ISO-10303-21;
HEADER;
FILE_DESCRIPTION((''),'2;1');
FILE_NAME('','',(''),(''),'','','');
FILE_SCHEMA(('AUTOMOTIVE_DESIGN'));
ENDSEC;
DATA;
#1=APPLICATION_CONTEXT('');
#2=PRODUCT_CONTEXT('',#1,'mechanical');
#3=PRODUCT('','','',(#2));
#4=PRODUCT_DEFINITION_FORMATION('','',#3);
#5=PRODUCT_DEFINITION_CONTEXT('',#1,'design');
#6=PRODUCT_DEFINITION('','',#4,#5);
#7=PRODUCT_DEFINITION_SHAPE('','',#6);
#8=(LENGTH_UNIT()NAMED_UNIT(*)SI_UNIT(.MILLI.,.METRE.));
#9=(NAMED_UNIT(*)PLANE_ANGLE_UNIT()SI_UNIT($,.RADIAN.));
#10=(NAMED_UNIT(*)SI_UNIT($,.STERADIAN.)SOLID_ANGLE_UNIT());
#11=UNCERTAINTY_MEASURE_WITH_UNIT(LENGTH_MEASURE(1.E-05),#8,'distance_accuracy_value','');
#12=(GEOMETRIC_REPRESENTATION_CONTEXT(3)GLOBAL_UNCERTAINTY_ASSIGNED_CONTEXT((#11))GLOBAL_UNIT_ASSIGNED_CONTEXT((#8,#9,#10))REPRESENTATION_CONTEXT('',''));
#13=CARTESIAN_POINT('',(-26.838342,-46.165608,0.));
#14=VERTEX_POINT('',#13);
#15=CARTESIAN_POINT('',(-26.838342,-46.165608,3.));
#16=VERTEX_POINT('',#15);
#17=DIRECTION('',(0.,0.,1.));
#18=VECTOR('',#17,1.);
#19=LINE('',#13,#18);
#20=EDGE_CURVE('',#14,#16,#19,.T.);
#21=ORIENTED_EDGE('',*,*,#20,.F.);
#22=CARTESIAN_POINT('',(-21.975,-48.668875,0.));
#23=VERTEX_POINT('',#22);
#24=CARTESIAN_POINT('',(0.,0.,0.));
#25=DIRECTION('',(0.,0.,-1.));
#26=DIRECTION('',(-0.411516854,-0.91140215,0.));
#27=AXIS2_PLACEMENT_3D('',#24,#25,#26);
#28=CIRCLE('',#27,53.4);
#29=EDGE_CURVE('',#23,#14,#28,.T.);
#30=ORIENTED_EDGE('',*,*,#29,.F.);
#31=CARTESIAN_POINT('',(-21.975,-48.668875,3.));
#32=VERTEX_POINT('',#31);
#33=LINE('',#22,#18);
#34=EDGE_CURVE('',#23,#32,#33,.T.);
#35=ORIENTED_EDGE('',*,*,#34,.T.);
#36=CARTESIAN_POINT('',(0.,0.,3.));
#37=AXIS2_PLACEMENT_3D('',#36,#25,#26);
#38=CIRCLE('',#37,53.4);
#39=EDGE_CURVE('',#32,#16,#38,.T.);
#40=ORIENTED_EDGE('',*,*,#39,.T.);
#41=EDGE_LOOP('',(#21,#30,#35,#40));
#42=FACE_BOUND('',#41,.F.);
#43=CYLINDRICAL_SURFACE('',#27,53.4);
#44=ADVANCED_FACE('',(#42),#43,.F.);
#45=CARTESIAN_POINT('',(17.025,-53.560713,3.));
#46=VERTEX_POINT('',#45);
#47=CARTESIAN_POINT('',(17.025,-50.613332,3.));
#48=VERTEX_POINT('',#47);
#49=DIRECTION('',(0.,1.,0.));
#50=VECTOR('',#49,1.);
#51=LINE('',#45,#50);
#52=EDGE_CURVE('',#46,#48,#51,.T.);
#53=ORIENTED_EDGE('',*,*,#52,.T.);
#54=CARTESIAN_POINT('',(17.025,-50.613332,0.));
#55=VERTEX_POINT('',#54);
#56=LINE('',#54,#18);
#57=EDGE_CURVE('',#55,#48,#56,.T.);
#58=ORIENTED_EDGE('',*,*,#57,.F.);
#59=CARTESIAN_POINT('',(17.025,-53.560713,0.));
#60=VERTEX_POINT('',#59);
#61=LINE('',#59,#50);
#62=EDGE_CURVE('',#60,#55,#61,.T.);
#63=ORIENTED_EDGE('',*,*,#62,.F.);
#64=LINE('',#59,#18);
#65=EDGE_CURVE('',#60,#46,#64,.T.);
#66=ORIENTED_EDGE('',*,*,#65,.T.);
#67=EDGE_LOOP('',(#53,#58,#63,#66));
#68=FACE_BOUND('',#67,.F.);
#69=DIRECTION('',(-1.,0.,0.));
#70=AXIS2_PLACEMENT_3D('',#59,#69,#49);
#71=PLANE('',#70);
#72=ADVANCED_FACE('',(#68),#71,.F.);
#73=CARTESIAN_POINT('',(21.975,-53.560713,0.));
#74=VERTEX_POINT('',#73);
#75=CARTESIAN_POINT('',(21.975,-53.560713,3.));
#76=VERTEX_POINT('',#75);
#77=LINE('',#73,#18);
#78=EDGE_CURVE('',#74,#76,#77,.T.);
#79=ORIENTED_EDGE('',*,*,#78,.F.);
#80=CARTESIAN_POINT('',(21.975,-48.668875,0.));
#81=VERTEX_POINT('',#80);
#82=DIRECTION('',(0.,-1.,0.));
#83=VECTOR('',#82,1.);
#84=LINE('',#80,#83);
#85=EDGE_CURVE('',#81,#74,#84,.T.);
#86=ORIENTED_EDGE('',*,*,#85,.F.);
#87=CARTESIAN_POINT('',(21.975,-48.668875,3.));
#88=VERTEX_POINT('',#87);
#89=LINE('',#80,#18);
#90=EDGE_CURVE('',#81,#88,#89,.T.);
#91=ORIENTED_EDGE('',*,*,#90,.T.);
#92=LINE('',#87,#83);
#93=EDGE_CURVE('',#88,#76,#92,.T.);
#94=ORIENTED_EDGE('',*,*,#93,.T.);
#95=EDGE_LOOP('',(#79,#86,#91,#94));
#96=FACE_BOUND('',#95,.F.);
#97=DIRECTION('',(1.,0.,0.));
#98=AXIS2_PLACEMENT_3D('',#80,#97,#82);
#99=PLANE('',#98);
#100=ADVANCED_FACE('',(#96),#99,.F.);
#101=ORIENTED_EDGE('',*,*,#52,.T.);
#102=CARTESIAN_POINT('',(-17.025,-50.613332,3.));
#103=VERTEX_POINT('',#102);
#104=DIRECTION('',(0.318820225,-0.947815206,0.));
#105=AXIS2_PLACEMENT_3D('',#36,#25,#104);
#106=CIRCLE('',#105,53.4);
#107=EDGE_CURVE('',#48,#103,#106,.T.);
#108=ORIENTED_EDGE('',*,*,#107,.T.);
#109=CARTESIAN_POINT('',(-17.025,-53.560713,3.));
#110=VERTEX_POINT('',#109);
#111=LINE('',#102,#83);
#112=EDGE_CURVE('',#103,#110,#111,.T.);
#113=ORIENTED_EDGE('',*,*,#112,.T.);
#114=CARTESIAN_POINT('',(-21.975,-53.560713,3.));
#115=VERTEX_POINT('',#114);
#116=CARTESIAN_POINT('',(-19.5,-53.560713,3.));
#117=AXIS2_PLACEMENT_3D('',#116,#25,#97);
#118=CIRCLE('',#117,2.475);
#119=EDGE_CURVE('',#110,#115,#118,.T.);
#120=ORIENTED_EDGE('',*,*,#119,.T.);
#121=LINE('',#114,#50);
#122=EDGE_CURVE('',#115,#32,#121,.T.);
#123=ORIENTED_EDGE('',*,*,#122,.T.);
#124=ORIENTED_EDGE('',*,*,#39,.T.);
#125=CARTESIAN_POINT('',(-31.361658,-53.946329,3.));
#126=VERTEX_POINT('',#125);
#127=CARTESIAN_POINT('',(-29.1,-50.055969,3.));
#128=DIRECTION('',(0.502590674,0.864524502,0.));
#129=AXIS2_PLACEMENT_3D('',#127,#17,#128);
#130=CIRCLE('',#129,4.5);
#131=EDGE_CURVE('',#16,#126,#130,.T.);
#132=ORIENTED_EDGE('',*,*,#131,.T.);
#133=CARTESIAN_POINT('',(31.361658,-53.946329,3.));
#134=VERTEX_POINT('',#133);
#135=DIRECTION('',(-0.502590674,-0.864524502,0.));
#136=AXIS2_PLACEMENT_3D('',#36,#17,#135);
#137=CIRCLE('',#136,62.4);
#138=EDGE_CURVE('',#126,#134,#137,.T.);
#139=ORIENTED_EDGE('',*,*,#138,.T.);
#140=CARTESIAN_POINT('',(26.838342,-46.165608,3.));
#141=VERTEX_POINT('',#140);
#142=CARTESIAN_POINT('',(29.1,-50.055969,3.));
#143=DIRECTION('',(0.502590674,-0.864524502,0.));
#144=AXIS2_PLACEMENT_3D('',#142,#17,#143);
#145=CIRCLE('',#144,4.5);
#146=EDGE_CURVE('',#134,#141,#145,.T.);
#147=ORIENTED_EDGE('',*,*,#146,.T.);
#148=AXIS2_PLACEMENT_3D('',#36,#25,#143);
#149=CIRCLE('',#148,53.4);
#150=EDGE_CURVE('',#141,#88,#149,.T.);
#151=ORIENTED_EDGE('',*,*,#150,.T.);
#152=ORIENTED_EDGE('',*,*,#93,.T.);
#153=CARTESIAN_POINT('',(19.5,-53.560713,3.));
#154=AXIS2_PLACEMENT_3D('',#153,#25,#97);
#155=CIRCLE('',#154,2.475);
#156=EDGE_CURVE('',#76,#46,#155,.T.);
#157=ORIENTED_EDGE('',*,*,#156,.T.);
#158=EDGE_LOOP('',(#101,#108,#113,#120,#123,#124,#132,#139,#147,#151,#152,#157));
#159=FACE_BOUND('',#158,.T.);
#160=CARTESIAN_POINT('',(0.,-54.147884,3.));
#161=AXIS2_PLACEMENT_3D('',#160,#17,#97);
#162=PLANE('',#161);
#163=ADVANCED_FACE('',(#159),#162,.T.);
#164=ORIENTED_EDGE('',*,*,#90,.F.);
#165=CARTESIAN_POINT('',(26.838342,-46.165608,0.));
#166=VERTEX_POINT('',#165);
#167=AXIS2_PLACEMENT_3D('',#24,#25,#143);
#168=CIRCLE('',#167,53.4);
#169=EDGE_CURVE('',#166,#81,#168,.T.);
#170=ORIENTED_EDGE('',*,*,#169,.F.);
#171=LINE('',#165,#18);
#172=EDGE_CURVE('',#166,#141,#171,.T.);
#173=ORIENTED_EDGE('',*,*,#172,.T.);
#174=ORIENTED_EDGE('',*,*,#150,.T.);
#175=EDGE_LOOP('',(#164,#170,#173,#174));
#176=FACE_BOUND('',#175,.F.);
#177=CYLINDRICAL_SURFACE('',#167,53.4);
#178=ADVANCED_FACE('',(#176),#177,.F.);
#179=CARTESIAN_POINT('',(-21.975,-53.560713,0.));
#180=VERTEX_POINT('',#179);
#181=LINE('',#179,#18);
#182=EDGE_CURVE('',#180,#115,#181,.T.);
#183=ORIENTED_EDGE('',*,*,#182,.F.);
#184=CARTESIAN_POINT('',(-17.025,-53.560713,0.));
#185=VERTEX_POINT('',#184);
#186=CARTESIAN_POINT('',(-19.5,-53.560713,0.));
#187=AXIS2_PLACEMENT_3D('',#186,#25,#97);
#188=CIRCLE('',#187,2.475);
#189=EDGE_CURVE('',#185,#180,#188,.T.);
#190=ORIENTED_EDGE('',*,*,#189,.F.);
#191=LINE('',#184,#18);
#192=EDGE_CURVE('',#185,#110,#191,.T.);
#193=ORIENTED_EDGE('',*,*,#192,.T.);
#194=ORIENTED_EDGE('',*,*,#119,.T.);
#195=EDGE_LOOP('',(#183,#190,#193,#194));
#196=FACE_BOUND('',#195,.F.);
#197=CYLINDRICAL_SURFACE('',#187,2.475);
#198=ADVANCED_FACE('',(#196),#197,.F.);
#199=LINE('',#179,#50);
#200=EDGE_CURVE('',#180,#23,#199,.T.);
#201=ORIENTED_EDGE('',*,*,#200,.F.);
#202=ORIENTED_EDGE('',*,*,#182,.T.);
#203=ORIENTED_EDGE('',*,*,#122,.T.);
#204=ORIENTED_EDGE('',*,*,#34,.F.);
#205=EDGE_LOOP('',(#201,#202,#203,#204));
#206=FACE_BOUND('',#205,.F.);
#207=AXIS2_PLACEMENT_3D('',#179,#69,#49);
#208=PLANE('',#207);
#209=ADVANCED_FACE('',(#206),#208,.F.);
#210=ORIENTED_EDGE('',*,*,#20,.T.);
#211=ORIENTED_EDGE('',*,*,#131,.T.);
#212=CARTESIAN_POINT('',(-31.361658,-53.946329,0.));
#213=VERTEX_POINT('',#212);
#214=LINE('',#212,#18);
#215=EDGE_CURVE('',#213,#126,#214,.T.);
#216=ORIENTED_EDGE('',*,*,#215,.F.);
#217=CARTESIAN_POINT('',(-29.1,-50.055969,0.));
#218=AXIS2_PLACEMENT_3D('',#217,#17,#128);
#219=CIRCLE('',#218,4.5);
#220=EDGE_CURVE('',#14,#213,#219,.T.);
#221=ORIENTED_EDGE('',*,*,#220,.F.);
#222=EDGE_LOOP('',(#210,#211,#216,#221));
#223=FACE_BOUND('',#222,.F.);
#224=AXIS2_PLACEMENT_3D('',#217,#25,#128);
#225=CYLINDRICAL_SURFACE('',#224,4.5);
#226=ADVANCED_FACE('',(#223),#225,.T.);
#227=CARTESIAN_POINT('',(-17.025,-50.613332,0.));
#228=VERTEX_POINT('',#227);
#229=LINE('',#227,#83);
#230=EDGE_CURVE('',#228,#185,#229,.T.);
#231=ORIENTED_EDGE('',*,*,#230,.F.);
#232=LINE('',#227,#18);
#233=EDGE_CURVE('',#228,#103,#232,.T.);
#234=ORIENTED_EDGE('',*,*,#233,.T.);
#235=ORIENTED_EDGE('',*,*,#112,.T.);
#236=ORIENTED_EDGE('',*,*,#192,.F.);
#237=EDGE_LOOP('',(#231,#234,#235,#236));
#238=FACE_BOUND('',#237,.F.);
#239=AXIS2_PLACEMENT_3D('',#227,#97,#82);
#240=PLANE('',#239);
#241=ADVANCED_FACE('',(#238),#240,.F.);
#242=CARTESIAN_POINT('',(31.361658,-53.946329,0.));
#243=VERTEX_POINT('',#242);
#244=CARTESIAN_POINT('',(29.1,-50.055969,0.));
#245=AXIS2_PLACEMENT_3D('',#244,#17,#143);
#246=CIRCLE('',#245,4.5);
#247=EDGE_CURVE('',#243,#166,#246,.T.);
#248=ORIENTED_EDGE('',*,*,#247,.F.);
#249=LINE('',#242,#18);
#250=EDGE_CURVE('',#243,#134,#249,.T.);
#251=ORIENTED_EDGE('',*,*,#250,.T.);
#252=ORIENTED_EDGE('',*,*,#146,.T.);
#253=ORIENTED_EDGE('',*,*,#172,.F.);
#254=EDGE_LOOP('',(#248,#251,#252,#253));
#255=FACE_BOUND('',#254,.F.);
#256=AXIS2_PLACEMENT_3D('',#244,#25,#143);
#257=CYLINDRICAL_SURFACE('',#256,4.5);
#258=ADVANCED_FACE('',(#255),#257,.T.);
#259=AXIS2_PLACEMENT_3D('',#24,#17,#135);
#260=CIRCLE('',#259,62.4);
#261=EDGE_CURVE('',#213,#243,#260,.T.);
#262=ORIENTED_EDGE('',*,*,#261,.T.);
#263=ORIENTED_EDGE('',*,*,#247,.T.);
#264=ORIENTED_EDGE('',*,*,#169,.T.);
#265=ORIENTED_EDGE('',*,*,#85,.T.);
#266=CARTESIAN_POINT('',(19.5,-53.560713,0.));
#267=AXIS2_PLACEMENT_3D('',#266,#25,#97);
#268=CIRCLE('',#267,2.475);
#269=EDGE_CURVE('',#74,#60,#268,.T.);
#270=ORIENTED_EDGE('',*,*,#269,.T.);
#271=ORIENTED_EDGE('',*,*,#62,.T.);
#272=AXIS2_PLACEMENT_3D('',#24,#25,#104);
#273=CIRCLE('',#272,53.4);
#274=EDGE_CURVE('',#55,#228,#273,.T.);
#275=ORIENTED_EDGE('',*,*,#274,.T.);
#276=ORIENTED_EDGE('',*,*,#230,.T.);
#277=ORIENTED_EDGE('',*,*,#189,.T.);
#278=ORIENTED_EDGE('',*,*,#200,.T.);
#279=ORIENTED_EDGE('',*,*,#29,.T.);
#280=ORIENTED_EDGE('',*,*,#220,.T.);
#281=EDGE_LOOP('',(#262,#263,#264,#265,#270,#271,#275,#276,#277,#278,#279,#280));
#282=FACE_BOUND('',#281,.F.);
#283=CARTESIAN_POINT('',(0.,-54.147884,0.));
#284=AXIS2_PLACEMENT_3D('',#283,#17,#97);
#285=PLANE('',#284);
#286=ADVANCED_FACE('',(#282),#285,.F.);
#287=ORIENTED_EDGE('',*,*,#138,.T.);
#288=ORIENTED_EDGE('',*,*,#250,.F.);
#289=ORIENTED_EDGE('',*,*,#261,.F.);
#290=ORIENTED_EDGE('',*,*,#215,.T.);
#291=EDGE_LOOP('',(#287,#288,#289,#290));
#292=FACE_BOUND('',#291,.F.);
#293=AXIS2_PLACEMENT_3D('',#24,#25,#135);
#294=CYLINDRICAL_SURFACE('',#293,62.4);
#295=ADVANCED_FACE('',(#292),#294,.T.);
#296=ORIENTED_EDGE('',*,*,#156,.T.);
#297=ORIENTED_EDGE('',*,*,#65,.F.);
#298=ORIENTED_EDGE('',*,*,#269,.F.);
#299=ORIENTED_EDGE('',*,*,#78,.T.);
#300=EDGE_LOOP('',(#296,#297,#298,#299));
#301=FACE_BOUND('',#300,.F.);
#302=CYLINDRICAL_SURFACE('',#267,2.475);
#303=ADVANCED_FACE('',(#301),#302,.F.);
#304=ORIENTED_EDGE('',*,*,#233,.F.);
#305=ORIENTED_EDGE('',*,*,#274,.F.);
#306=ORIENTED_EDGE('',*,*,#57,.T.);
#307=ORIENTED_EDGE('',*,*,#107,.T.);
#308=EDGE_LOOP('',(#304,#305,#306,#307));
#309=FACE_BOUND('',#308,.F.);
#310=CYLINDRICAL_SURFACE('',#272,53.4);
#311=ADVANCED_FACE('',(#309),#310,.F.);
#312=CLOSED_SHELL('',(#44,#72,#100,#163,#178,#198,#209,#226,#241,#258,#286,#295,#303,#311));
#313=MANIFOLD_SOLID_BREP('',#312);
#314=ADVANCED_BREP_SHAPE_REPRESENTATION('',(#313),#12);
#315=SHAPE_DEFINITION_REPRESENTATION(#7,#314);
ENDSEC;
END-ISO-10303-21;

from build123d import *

# Parameters (mm, degrees)
F1_DEPTH = 1
F2_SCALE = 3


with BuildPart() as f1:
    # F0 (on Top) → F1 (new body)
    with BuildSketch(Plane.XY):
        with BuildLine():
            ThreePointArc((-7.325, -16.2229582691), (-8.1462477675, -15.8265172199), (-8.9461139896, -15.3885361385))
            ThreePointArc((-8.9461139896, -15.3885361385), (-10.9967867532, -15.9314368813), (-10.4538860104, -17.9821096449))
            ThreePointArc((-10.4538860104, -17.9821096449), (0, -20.8), (10.4538860104, -17.9821096449))
            ThreePointArc((10.4538860104, -17.9821096449), (10.9967867532, -15.9314368813), (8.9461139896, -15.3885361385))
            ThreePointArc((8.9461139896, -15.3885361385), (8.1462477675, -15.8265172199), (7.325, -16.2229582691))
            Line((7.325, -16.2229582691), (7.325, -17.8535710714))
            ThreePointArc((7.325, -17.8535710714), (6.5, -18.6785710714), (5.675, -17.8535710714))
            Line((5.675, -17.8535710714), (5.675, -16.8711106629))
            ThreePointArc((5.675, -16.8711106629), (0, -17.8), (-5.675, -16.8711106629))
            Line((-5.675, -16.8711106629), (-5.675, -17.8535710714))
            ThreePointArc((-5.675, -17.8535710714), (-6.5, -18.6785710714), (-7.325, -17.8535710714))
            Line((-7.325, -17.8535710714), (-7.325, -16.2229582691))
        make_face()
    extrude(amount=F1_DEPTH)


with BuildPart() as f1_1:
    # F2: moved
    add(f1.part.scale(F2_SCALE))


solid = f1_1.part
